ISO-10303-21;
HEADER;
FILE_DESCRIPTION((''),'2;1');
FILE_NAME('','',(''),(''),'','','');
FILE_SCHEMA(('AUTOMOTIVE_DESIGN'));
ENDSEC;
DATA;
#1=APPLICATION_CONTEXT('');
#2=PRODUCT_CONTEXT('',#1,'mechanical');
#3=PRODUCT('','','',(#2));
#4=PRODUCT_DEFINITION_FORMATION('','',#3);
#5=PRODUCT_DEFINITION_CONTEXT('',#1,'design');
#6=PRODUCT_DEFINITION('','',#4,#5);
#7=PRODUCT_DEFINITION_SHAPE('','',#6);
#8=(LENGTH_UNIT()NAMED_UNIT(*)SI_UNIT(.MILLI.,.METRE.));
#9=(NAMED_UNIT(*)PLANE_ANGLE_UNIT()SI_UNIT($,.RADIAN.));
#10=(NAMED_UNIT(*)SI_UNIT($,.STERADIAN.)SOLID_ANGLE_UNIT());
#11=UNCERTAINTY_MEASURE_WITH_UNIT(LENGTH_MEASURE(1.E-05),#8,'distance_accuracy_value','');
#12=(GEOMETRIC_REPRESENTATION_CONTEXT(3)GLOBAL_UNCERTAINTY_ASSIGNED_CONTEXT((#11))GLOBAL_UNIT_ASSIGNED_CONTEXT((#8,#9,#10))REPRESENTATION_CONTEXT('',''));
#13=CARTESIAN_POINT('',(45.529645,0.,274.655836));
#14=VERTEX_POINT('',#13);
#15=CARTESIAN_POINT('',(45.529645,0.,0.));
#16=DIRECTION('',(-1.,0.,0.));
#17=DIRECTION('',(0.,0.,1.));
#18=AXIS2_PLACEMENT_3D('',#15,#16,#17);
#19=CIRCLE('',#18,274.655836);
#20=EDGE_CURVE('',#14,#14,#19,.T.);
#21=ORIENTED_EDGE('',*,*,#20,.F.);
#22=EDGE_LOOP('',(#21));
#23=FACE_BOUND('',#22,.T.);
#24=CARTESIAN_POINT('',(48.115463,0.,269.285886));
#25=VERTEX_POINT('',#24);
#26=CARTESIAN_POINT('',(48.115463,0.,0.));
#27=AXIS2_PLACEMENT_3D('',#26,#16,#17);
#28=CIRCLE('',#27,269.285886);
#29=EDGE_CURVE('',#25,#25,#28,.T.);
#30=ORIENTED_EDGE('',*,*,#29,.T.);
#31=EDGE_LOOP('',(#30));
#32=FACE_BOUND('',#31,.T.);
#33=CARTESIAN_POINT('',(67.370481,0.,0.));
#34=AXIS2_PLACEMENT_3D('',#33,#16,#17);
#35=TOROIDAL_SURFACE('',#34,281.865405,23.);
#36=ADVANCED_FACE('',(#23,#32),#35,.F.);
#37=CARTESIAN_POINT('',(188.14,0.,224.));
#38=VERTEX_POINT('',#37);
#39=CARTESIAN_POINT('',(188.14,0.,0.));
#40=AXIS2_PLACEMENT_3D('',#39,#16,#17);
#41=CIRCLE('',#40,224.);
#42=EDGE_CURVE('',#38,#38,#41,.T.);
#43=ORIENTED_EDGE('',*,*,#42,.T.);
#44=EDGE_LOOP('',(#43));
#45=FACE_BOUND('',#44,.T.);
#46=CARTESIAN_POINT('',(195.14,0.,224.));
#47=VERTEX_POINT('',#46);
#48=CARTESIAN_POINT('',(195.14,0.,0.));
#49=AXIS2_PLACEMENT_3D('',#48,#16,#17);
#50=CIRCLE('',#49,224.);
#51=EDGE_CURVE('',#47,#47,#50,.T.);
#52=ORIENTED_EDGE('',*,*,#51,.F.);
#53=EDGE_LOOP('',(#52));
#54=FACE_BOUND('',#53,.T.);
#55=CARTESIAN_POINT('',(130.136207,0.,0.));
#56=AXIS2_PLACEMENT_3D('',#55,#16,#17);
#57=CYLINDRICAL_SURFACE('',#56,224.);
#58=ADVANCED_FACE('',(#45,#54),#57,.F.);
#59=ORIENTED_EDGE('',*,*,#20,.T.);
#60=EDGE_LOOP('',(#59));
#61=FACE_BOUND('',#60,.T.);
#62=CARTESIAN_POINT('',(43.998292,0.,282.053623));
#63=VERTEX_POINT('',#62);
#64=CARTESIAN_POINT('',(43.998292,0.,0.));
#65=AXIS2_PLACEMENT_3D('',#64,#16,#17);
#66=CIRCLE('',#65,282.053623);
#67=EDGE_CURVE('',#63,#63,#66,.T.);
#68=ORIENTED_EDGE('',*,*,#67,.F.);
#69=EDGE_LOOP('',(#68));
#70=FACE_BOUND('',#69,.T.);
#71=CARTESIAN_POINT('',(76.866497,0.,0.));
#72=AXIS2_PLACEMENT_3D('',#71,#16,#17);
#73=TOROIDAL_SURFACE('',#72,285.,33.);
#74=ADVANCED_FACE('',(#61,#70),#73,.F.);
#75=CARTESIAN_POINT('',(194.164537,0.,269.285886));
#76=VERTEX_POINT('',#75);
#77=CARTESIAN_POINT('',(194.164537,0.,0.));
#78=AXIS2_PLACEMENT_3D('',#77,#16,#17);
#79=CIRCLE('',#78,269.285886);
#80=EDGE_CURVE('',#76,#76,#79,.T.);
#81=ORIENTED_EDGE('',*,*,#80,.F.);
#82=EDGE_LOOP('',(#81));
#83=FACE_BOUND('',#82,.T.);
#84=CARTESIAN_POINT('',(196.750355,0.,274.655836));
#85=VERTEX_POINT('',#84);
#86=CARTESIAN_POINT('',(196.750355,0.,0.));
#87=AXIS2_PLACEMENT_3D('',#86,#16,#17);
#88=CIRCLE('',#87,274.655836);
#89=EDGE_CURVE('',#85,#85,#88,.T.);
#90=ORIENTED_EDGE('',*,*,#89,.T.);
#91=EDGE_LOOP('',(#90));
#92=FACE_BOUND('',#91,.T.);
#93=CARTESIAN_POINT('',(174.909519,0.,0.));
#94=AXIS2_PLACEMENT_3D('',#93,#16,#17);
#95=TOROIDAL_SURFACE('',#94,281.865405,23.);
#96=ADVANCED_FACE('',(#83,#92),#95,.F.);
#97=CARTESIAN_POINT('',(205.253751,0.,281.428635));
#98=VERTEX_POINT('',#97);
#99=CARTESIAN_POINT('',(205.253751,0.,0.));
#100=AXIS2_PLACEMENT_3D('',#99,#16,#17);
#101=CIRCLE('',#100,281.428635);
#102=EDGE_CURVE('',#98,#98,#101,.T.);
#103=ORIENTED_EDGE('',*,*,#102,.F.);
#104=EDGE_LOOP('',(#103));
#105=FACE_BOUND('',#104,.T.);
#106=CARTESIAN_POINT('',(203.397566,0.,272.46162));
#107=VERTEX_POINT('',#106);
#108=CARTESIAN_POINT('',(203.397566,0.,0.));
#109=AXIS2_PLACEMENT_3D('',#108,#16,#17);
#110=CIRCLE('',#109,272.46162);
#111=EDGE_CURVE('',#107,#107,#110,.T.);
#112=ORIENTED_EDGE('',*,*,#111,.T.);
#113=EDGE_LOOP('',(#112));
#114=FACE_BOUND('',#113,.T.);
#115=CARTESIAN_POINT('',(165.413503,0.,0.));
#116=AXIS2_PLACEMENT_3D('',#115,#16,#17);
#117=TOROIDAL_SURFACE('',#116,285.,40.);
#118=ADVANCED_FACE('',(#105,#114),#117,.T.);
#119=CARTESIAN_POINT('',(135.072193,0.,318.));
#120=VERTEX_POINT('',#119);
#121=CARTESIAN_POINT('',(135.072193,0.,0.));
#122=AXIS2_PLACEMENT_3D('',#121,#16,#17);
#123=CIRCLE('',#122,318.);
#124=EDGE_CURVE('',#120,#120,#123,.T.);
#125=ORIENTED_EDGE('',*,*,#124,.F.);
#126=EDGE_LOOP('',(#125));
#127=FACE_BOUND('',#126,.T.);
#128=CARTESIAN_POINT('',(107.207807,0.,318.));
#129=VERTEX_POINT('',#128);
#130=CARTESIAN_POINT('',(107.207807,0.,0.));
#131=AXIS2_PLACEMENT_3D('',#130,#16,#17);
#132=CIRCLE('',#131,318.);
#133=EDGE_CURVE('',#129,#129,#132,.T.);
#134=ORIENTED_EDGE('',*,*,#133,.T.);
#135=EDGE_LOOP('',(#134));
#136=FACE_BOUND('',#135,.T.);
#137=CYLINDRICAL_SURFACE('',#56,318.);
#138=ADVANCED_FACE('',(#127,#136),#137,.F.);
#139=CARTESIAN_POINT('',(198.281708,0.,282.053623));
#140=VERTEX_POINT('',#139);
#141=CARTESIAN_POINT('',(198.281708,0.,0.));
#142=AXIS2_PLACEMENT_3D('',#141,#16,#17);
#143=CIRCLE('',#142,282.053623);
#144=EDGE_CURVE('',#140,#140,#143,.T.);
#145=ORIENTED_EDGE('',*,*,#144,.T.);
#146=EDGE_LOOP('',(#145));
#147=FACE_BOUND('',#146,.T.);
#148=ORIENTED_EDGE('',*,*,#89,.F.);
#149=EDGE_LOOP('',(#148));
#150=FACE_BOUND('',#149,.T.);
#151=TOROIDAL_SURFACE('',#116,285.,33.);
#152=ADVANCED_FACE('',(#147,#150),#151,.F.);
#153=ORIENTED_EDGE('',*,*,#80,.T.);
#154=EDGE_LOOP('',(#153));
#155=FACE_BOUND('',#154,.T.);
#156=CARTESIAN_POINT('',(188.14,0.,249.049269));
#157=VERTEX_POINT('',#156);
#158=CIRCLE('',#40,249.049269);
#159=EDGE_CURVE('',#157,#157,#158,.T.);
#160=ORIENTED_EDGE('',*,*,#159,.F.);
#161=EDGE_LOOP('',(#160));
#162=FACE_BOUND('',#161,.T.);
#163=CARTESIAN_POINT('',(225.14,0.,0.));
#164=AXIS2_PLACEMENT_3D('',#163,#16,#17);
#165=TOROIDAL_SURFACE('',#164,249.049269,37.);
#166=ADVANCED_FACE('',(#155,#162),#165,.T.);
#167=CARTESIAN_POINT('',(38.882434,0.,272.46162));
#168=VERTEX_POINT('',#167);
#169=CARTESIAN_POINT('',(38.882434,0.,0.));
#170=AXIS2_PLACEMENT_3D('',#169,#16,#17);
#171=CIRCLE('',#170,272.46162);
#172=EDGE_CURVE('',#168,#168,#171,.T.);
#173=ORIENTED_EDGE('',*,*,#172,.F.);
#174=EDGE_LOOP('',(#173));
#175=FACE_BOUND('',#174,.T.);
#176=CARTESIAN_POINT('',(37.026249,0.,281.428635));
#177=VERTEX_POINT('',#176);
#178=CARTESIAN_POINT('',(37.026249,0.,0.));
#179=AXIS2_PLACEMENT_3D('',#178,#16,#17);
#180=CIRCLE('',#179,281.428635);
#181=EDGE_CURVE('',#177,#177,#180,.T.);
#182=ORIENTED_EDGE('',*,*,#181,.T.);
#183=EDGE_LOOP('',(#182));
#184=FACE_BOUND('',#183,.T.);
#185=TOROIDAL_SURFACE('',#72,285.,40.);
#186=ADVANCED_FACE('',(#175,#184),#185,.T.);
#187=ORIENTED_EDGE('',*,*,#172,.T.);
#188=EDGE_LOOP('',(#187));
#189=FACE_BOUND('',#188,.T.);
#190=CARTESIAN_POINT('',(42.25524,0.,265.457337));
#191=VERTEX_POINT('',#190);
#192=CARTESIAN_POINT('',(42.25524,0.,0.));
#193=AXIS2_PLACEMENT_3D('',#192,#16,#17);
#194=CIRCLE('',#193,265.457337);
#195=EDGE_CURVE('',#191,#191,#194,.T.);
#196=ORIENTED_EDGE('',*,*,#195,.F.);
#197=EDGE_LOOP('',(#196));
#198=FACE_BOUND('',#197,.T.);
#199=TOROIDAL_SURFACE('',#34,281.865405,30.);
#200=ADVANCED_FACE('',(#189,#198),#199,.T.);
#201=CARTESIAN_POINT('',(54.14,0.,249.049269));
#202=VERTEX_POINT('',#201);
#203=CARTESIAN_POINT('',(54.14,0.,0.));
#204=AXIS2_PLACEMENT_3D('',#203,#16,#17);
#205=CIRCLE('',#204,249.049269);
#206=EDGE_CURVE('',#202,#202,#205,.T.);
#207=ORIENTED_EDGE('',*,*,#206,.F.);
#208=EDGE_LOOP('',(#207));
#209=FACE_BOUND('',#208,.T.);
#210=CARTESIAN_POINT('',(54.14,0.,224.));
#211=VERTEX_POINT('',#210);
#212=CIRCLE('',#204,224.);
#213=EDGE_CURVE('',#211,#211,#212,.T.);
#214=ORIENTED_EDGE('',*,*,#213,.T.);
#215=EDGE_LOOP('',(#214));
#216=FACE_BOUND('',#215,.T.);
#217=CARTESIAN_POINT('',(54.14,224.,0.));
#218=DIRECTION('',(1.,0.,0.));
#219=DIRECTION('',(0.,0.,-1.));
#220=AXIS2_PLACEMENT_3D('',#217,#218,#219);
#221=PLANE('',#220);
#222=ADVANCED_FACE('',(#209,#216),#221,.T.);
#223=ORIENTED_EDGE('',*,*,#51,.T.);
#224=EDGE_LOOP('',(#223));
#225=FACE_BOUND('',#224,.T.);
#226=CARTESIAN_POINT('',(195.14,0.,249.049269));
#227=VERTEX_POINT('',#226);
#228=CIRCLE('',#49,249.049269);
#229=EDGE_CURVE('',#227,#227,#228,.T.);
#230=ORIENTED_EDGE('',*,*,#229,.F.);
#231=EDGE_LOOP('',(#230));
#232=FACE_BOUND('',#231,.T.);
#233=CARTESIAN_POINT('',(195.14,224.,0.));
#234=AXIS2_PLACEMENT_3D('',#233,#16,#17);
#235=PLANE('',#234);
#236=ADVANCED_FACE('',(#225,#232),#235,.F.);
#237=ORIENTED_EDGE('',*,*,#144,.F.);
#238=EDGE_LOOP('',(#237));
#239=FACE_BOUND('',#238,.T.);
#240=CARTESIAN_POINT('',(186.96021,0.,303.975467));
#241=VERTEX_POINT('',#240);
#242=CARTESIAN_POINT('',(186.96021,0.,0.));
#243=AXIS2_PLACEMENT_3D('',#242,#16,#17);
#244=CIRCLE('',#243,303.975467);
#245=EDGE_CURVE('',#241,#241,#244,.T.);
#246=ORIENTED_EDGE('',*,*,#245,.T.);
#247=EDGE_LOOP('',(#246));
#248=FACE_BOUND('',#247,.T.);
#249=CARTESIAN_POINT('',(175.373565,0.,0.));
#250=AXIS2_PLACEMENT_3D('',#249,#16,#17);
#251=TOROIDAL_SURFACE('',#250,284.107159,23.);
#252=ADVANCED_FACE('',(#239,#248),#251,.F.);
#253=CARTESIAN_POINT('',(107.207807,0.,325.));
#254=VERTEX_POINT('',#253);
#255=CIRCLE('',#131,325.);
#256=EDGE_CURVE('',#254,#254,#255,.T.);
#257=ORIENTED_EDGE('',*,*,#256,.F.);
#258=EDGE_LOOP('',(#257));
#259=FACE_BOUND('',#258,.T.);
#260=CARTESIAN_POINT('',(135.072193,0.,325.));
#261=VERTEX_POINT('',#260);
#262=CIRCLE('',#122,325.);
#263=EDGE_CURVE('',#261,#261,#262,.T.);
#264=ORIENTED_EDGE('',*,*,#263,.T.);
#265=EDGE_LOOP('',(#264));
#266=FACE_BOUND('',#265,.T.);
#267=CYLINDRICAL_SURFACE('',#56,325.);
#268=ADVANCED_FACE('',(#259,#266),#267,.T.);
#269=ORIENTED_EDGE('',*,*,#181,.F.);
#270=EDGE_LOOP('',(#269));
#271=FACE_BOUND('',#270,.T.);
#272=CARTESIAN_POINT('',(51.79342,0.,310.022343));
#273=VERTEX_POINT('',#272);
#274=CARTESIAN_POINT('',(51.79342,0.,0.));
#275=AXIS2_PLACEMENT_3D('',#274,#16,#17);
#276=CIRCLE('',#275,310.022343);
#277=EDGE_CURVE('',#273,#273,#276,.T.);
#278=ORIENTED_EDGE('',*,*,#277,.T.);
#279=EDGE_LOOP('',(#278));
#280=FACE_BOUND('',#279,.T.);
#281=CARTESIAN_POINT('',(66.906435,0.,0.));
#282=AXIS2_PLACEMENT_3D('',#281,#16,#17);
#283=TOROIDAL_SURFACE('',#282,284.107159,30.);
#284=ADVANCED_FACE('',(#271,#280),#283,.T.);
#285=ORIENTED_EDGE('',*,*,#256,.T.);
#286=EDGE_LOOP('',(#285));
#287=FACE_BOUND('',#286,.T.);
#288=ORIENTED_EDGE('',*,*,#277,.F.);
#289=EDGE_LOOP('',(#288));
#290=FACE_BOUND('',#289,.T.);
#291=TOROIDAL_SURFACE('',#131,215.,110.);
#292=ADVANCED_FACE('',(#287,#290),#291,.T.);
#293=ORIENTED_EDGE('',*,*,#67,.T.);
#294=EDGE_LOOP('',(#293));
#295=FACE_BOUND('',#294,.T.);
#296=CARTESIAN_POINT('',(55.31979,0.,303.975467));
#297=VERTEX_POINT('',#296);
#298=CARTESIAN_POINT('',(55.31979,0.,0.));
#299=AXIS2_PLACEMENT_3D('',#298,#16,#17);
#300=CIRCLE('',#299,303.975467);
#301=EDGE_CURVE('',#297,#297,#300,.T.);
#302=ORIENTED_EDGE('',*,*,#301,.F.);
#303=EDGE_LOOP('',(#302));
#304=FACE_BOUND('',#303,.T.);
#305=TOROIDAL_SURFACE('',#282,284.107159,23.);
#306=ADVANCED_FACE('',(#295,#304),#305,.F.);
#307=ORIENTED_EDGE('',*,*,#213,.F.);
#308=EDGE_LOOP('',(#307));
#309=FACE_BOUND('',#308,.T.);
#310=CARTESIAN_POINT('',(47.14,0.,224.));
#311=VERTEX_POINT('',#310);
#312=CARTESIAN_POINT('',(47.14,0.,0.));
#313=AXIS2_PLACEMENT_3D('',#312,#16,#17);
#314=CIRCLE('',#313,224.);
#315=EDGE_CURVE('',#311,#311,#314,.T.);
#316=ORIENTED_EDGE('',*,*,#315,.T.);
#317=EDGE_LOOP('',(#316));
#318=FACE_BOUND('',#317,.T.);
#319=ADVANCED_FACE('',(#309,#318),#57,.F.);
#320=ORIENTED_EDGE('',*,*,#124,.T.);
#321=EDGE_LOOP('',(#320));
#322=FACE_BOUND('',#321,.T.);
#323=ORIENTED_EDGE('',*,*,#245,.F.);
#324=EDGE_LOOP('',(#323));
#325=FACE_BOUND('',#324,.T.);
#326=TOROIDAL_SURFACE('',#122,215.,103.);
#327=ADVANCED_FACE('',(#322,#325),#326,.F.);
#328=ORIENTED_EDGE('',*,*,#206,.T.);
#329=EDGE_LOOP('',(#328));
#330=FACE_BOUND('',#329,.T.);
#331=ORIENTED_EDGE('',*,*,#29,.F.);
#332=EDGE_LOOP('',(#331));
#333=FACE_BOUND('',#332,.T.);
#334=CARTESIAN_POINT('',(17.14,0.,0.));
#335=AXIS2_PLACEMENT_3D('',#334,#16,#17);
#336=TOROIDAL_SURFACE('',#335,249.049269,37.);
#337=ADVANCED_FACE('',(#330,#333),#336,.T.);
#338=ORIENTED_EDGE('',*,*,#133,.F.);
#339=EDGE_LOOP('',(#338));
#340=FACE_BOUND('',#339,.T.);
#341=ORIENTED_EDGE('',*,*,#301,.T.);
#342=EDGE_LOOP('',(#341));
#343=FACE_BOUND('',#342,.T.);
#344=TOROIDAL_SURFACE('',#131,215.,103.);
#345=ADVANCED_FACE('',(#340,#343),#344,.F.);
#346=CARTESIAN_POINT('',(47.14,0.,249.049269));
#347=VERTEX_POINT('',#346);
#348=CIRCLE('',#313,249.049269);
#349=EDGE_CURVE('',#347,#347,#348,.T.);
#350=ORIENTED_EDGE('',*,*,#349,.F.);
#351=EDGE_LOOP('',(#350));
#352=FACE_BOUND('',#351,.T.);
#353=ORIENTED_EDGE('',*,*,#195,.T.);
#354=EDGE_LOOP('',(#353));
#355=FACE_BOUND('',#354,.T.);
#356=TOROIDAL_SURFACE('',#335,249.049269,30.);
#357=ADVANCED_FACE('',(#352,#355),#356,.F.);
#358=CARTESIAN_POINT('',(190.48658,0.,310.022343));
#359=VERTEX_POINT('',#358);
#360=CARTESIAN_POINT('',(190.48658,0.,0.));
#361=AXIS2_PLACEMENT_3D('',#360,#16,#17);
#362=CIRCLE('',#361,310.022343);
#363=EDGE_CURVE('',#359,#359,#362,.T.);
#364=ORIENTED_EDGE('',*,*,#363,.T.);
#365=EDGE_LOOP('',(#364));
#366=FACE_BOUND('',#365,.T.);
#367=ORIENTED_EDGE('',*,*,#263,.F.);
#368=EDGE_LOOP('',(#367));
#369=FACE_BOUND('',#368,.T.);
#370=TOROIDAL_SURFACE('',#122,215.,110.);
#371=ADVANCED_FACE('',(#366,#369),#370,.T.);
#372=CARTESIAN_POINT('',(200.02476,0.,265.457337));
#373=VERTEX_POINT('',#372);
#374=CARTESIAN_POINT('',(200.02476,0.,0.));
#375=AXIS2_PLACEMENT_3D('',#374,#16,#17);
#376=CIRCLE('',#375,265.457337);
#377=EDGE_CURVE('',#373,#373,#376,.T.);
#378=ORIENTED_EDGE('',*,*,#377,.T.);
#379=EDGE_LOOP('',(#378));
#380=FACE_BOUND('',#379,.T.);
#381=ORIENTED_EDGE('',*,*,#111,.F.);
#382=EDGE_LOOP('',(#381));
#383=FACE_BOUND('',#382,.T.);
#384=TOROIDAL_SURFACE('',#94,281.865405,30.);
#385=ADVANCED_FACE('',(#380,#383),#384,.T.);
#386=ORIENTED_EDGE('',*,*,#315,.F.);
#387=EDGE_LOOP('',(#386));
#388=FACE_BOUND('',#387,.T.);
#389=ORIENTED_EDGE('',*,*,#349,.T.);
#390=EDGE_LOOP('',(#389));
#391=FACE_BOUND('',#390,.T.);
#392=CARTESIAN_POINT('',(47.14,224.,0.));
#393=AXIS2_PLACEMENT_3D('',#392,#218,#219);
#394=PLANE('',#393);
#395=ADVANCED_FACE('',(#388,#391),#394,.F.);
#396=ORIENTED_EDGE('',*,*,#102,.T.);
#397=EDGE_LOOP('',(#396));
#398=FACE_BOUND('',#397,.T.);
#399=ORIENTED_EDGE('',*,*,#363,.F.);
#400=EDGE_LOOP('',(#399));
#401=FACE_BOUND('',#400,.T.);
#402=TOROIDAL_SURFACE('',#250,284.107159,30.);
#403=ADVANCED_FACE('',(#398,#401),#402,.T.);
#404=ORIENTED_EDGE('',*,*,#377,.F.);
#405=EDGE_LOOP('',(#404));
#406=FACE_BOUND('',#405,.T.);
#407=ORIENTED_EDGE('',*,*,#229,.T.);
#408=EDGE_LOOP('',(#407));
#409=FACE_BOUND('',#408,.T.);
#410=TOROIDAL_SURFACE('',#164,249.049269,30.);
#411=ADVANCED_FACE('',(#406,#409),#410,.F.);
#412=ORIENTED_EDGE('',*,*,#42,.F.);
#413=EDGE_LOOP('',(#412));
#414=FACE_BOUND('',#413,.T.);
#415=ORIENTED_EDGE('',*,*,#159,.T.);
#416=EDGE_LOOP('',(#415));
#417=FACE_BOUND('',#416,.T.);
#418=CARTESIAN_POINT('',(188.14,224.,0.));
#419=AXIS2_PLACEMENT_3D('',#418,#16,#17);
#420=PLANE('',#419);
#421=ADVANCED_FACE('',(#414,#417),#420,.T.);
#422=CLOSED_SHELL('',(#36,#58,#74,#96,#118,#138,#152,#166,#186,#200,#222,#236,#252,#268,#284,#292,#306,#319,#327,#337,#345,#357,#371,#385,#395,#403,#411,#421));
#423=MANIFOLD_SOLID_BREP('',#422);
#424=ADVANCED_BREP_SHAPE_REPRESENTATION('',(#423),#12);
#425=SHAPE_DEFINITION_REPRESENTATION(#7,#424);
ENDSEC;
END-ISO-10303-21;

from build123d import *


with BuildPart() as part:
    # Esquisse1 → Base-Révol.-Mince (revolve)
    with BuildSketch(Plane.XY, mode=Mode.PRIVATE) as base_r_vol_mince_sk:
        with BuildLine():
            Line((47.14, 224), (47.14, 249.049268796))
            ThreePointArc((47.14, 249.049268796), (45.892888665, 257.609139906), (42.255240439, 265.457336864))
            ThreePointArc((42.255240439, 265.457336864), (40.340995096, 268.849764401), (38.882433843, 272.461619727))
            ThreePointArc((38.882433843, 272.461619727), (37.696895241, 276.891835415), (37.026248707, 281.428634513))
            ThreePointArc((37.026248707, 281.428634513), (40.251283732, 297.873165041), (51.793419901, 310.022343114))
            ThreePointArc((51.793419901, 310.022343114), (78.506393747, 321.189589279), (107.207807105, 325))
            Line((107.207807105, 325), (135.072192895, 325))
            ThreePointArc((135.072192895, 325), (163.773606253, 321.189589279), (190.486580099, 310.022343114))
            ThreePointArc((190.486580099, 310.022343114), (202.028716268, 297.873165041), (205.253751293, 281.428634513))
            ThreePointArc((205.253751293, 281.428634513), (204.583104759, 276.891835415), (203.397566157, 272.461619727))
            ThreePointArc((203.397566157, 272.461619727), (201.939004904, 268.849764401), (200.024759561, 265.457336864))
            ThreePointArc((200.024759561, 265.457336864), (196.387111335, 257.609139906), (195.14, 249.049268796))
            Line((195.14, 249.049268796), (195.14, 224))
            Line((195.14, 224), (188.14, 224))
            Line((188.14, 224), (188.14, 249.049268796))
            ThreePointArc((188.14, 249.049268796), (189.67810398, 259.606443165), (194.164536793, 269.28588608))
            ThreePointArc((194.164536793, 269.28588608), (195.632124888, 271.886747191), (196.750355182, 274.655836275))
            ThreePointArc((196.750355182, 274.655836275), (197.728424529, 278.310764218), (198.281707919, 282.053623473))
            ThreePointArc((198.281707919, 282.053623473), (195.809181067, 294.661096878), (186.960210004, 303.975466734))
            ThreePointArc((186.960210004, 303.975466734), (161.947152676, 314.432069961), (135.072192895, 318))
            Line((135.072192895, 318), (107.207807105, 318))
            ThreePointArc((107.207807105, 318), (80.332847324, 314.432069961), (55.319789996, 303.975466734))
            ThreePointArc((55.319789996, 303.975466734), (46.470818933, 294.661096878), (43.998292081, 282.053623473))
            ThreePointArc((43.998292081, 282.053623473), (44.551575471, 278.310764218), (45.529644818, 274.655836275))
            ThreePointArc((45.529644818, 274.655836275), (46.647875112, 271.886747191), (48.115463207, 269.28588608))
            ThreePointArc((48.115463207, 269.28588608), (52.60189602, 259.606443165), (54.14, 249.049268796))
            Line((54.14, 249.049268796), (54.14, 224))
            Line((54.14, 224), (47.14, 224))
        make_face()
    revolve(base_r_vol_mince_sk.sketch.rotate(Axis((130.136206897, 0, 0), (1, 0, 0)), 90), axis=Axis((130.136206897, 0, 0), (1, 0, 0)))


solid = part.part
